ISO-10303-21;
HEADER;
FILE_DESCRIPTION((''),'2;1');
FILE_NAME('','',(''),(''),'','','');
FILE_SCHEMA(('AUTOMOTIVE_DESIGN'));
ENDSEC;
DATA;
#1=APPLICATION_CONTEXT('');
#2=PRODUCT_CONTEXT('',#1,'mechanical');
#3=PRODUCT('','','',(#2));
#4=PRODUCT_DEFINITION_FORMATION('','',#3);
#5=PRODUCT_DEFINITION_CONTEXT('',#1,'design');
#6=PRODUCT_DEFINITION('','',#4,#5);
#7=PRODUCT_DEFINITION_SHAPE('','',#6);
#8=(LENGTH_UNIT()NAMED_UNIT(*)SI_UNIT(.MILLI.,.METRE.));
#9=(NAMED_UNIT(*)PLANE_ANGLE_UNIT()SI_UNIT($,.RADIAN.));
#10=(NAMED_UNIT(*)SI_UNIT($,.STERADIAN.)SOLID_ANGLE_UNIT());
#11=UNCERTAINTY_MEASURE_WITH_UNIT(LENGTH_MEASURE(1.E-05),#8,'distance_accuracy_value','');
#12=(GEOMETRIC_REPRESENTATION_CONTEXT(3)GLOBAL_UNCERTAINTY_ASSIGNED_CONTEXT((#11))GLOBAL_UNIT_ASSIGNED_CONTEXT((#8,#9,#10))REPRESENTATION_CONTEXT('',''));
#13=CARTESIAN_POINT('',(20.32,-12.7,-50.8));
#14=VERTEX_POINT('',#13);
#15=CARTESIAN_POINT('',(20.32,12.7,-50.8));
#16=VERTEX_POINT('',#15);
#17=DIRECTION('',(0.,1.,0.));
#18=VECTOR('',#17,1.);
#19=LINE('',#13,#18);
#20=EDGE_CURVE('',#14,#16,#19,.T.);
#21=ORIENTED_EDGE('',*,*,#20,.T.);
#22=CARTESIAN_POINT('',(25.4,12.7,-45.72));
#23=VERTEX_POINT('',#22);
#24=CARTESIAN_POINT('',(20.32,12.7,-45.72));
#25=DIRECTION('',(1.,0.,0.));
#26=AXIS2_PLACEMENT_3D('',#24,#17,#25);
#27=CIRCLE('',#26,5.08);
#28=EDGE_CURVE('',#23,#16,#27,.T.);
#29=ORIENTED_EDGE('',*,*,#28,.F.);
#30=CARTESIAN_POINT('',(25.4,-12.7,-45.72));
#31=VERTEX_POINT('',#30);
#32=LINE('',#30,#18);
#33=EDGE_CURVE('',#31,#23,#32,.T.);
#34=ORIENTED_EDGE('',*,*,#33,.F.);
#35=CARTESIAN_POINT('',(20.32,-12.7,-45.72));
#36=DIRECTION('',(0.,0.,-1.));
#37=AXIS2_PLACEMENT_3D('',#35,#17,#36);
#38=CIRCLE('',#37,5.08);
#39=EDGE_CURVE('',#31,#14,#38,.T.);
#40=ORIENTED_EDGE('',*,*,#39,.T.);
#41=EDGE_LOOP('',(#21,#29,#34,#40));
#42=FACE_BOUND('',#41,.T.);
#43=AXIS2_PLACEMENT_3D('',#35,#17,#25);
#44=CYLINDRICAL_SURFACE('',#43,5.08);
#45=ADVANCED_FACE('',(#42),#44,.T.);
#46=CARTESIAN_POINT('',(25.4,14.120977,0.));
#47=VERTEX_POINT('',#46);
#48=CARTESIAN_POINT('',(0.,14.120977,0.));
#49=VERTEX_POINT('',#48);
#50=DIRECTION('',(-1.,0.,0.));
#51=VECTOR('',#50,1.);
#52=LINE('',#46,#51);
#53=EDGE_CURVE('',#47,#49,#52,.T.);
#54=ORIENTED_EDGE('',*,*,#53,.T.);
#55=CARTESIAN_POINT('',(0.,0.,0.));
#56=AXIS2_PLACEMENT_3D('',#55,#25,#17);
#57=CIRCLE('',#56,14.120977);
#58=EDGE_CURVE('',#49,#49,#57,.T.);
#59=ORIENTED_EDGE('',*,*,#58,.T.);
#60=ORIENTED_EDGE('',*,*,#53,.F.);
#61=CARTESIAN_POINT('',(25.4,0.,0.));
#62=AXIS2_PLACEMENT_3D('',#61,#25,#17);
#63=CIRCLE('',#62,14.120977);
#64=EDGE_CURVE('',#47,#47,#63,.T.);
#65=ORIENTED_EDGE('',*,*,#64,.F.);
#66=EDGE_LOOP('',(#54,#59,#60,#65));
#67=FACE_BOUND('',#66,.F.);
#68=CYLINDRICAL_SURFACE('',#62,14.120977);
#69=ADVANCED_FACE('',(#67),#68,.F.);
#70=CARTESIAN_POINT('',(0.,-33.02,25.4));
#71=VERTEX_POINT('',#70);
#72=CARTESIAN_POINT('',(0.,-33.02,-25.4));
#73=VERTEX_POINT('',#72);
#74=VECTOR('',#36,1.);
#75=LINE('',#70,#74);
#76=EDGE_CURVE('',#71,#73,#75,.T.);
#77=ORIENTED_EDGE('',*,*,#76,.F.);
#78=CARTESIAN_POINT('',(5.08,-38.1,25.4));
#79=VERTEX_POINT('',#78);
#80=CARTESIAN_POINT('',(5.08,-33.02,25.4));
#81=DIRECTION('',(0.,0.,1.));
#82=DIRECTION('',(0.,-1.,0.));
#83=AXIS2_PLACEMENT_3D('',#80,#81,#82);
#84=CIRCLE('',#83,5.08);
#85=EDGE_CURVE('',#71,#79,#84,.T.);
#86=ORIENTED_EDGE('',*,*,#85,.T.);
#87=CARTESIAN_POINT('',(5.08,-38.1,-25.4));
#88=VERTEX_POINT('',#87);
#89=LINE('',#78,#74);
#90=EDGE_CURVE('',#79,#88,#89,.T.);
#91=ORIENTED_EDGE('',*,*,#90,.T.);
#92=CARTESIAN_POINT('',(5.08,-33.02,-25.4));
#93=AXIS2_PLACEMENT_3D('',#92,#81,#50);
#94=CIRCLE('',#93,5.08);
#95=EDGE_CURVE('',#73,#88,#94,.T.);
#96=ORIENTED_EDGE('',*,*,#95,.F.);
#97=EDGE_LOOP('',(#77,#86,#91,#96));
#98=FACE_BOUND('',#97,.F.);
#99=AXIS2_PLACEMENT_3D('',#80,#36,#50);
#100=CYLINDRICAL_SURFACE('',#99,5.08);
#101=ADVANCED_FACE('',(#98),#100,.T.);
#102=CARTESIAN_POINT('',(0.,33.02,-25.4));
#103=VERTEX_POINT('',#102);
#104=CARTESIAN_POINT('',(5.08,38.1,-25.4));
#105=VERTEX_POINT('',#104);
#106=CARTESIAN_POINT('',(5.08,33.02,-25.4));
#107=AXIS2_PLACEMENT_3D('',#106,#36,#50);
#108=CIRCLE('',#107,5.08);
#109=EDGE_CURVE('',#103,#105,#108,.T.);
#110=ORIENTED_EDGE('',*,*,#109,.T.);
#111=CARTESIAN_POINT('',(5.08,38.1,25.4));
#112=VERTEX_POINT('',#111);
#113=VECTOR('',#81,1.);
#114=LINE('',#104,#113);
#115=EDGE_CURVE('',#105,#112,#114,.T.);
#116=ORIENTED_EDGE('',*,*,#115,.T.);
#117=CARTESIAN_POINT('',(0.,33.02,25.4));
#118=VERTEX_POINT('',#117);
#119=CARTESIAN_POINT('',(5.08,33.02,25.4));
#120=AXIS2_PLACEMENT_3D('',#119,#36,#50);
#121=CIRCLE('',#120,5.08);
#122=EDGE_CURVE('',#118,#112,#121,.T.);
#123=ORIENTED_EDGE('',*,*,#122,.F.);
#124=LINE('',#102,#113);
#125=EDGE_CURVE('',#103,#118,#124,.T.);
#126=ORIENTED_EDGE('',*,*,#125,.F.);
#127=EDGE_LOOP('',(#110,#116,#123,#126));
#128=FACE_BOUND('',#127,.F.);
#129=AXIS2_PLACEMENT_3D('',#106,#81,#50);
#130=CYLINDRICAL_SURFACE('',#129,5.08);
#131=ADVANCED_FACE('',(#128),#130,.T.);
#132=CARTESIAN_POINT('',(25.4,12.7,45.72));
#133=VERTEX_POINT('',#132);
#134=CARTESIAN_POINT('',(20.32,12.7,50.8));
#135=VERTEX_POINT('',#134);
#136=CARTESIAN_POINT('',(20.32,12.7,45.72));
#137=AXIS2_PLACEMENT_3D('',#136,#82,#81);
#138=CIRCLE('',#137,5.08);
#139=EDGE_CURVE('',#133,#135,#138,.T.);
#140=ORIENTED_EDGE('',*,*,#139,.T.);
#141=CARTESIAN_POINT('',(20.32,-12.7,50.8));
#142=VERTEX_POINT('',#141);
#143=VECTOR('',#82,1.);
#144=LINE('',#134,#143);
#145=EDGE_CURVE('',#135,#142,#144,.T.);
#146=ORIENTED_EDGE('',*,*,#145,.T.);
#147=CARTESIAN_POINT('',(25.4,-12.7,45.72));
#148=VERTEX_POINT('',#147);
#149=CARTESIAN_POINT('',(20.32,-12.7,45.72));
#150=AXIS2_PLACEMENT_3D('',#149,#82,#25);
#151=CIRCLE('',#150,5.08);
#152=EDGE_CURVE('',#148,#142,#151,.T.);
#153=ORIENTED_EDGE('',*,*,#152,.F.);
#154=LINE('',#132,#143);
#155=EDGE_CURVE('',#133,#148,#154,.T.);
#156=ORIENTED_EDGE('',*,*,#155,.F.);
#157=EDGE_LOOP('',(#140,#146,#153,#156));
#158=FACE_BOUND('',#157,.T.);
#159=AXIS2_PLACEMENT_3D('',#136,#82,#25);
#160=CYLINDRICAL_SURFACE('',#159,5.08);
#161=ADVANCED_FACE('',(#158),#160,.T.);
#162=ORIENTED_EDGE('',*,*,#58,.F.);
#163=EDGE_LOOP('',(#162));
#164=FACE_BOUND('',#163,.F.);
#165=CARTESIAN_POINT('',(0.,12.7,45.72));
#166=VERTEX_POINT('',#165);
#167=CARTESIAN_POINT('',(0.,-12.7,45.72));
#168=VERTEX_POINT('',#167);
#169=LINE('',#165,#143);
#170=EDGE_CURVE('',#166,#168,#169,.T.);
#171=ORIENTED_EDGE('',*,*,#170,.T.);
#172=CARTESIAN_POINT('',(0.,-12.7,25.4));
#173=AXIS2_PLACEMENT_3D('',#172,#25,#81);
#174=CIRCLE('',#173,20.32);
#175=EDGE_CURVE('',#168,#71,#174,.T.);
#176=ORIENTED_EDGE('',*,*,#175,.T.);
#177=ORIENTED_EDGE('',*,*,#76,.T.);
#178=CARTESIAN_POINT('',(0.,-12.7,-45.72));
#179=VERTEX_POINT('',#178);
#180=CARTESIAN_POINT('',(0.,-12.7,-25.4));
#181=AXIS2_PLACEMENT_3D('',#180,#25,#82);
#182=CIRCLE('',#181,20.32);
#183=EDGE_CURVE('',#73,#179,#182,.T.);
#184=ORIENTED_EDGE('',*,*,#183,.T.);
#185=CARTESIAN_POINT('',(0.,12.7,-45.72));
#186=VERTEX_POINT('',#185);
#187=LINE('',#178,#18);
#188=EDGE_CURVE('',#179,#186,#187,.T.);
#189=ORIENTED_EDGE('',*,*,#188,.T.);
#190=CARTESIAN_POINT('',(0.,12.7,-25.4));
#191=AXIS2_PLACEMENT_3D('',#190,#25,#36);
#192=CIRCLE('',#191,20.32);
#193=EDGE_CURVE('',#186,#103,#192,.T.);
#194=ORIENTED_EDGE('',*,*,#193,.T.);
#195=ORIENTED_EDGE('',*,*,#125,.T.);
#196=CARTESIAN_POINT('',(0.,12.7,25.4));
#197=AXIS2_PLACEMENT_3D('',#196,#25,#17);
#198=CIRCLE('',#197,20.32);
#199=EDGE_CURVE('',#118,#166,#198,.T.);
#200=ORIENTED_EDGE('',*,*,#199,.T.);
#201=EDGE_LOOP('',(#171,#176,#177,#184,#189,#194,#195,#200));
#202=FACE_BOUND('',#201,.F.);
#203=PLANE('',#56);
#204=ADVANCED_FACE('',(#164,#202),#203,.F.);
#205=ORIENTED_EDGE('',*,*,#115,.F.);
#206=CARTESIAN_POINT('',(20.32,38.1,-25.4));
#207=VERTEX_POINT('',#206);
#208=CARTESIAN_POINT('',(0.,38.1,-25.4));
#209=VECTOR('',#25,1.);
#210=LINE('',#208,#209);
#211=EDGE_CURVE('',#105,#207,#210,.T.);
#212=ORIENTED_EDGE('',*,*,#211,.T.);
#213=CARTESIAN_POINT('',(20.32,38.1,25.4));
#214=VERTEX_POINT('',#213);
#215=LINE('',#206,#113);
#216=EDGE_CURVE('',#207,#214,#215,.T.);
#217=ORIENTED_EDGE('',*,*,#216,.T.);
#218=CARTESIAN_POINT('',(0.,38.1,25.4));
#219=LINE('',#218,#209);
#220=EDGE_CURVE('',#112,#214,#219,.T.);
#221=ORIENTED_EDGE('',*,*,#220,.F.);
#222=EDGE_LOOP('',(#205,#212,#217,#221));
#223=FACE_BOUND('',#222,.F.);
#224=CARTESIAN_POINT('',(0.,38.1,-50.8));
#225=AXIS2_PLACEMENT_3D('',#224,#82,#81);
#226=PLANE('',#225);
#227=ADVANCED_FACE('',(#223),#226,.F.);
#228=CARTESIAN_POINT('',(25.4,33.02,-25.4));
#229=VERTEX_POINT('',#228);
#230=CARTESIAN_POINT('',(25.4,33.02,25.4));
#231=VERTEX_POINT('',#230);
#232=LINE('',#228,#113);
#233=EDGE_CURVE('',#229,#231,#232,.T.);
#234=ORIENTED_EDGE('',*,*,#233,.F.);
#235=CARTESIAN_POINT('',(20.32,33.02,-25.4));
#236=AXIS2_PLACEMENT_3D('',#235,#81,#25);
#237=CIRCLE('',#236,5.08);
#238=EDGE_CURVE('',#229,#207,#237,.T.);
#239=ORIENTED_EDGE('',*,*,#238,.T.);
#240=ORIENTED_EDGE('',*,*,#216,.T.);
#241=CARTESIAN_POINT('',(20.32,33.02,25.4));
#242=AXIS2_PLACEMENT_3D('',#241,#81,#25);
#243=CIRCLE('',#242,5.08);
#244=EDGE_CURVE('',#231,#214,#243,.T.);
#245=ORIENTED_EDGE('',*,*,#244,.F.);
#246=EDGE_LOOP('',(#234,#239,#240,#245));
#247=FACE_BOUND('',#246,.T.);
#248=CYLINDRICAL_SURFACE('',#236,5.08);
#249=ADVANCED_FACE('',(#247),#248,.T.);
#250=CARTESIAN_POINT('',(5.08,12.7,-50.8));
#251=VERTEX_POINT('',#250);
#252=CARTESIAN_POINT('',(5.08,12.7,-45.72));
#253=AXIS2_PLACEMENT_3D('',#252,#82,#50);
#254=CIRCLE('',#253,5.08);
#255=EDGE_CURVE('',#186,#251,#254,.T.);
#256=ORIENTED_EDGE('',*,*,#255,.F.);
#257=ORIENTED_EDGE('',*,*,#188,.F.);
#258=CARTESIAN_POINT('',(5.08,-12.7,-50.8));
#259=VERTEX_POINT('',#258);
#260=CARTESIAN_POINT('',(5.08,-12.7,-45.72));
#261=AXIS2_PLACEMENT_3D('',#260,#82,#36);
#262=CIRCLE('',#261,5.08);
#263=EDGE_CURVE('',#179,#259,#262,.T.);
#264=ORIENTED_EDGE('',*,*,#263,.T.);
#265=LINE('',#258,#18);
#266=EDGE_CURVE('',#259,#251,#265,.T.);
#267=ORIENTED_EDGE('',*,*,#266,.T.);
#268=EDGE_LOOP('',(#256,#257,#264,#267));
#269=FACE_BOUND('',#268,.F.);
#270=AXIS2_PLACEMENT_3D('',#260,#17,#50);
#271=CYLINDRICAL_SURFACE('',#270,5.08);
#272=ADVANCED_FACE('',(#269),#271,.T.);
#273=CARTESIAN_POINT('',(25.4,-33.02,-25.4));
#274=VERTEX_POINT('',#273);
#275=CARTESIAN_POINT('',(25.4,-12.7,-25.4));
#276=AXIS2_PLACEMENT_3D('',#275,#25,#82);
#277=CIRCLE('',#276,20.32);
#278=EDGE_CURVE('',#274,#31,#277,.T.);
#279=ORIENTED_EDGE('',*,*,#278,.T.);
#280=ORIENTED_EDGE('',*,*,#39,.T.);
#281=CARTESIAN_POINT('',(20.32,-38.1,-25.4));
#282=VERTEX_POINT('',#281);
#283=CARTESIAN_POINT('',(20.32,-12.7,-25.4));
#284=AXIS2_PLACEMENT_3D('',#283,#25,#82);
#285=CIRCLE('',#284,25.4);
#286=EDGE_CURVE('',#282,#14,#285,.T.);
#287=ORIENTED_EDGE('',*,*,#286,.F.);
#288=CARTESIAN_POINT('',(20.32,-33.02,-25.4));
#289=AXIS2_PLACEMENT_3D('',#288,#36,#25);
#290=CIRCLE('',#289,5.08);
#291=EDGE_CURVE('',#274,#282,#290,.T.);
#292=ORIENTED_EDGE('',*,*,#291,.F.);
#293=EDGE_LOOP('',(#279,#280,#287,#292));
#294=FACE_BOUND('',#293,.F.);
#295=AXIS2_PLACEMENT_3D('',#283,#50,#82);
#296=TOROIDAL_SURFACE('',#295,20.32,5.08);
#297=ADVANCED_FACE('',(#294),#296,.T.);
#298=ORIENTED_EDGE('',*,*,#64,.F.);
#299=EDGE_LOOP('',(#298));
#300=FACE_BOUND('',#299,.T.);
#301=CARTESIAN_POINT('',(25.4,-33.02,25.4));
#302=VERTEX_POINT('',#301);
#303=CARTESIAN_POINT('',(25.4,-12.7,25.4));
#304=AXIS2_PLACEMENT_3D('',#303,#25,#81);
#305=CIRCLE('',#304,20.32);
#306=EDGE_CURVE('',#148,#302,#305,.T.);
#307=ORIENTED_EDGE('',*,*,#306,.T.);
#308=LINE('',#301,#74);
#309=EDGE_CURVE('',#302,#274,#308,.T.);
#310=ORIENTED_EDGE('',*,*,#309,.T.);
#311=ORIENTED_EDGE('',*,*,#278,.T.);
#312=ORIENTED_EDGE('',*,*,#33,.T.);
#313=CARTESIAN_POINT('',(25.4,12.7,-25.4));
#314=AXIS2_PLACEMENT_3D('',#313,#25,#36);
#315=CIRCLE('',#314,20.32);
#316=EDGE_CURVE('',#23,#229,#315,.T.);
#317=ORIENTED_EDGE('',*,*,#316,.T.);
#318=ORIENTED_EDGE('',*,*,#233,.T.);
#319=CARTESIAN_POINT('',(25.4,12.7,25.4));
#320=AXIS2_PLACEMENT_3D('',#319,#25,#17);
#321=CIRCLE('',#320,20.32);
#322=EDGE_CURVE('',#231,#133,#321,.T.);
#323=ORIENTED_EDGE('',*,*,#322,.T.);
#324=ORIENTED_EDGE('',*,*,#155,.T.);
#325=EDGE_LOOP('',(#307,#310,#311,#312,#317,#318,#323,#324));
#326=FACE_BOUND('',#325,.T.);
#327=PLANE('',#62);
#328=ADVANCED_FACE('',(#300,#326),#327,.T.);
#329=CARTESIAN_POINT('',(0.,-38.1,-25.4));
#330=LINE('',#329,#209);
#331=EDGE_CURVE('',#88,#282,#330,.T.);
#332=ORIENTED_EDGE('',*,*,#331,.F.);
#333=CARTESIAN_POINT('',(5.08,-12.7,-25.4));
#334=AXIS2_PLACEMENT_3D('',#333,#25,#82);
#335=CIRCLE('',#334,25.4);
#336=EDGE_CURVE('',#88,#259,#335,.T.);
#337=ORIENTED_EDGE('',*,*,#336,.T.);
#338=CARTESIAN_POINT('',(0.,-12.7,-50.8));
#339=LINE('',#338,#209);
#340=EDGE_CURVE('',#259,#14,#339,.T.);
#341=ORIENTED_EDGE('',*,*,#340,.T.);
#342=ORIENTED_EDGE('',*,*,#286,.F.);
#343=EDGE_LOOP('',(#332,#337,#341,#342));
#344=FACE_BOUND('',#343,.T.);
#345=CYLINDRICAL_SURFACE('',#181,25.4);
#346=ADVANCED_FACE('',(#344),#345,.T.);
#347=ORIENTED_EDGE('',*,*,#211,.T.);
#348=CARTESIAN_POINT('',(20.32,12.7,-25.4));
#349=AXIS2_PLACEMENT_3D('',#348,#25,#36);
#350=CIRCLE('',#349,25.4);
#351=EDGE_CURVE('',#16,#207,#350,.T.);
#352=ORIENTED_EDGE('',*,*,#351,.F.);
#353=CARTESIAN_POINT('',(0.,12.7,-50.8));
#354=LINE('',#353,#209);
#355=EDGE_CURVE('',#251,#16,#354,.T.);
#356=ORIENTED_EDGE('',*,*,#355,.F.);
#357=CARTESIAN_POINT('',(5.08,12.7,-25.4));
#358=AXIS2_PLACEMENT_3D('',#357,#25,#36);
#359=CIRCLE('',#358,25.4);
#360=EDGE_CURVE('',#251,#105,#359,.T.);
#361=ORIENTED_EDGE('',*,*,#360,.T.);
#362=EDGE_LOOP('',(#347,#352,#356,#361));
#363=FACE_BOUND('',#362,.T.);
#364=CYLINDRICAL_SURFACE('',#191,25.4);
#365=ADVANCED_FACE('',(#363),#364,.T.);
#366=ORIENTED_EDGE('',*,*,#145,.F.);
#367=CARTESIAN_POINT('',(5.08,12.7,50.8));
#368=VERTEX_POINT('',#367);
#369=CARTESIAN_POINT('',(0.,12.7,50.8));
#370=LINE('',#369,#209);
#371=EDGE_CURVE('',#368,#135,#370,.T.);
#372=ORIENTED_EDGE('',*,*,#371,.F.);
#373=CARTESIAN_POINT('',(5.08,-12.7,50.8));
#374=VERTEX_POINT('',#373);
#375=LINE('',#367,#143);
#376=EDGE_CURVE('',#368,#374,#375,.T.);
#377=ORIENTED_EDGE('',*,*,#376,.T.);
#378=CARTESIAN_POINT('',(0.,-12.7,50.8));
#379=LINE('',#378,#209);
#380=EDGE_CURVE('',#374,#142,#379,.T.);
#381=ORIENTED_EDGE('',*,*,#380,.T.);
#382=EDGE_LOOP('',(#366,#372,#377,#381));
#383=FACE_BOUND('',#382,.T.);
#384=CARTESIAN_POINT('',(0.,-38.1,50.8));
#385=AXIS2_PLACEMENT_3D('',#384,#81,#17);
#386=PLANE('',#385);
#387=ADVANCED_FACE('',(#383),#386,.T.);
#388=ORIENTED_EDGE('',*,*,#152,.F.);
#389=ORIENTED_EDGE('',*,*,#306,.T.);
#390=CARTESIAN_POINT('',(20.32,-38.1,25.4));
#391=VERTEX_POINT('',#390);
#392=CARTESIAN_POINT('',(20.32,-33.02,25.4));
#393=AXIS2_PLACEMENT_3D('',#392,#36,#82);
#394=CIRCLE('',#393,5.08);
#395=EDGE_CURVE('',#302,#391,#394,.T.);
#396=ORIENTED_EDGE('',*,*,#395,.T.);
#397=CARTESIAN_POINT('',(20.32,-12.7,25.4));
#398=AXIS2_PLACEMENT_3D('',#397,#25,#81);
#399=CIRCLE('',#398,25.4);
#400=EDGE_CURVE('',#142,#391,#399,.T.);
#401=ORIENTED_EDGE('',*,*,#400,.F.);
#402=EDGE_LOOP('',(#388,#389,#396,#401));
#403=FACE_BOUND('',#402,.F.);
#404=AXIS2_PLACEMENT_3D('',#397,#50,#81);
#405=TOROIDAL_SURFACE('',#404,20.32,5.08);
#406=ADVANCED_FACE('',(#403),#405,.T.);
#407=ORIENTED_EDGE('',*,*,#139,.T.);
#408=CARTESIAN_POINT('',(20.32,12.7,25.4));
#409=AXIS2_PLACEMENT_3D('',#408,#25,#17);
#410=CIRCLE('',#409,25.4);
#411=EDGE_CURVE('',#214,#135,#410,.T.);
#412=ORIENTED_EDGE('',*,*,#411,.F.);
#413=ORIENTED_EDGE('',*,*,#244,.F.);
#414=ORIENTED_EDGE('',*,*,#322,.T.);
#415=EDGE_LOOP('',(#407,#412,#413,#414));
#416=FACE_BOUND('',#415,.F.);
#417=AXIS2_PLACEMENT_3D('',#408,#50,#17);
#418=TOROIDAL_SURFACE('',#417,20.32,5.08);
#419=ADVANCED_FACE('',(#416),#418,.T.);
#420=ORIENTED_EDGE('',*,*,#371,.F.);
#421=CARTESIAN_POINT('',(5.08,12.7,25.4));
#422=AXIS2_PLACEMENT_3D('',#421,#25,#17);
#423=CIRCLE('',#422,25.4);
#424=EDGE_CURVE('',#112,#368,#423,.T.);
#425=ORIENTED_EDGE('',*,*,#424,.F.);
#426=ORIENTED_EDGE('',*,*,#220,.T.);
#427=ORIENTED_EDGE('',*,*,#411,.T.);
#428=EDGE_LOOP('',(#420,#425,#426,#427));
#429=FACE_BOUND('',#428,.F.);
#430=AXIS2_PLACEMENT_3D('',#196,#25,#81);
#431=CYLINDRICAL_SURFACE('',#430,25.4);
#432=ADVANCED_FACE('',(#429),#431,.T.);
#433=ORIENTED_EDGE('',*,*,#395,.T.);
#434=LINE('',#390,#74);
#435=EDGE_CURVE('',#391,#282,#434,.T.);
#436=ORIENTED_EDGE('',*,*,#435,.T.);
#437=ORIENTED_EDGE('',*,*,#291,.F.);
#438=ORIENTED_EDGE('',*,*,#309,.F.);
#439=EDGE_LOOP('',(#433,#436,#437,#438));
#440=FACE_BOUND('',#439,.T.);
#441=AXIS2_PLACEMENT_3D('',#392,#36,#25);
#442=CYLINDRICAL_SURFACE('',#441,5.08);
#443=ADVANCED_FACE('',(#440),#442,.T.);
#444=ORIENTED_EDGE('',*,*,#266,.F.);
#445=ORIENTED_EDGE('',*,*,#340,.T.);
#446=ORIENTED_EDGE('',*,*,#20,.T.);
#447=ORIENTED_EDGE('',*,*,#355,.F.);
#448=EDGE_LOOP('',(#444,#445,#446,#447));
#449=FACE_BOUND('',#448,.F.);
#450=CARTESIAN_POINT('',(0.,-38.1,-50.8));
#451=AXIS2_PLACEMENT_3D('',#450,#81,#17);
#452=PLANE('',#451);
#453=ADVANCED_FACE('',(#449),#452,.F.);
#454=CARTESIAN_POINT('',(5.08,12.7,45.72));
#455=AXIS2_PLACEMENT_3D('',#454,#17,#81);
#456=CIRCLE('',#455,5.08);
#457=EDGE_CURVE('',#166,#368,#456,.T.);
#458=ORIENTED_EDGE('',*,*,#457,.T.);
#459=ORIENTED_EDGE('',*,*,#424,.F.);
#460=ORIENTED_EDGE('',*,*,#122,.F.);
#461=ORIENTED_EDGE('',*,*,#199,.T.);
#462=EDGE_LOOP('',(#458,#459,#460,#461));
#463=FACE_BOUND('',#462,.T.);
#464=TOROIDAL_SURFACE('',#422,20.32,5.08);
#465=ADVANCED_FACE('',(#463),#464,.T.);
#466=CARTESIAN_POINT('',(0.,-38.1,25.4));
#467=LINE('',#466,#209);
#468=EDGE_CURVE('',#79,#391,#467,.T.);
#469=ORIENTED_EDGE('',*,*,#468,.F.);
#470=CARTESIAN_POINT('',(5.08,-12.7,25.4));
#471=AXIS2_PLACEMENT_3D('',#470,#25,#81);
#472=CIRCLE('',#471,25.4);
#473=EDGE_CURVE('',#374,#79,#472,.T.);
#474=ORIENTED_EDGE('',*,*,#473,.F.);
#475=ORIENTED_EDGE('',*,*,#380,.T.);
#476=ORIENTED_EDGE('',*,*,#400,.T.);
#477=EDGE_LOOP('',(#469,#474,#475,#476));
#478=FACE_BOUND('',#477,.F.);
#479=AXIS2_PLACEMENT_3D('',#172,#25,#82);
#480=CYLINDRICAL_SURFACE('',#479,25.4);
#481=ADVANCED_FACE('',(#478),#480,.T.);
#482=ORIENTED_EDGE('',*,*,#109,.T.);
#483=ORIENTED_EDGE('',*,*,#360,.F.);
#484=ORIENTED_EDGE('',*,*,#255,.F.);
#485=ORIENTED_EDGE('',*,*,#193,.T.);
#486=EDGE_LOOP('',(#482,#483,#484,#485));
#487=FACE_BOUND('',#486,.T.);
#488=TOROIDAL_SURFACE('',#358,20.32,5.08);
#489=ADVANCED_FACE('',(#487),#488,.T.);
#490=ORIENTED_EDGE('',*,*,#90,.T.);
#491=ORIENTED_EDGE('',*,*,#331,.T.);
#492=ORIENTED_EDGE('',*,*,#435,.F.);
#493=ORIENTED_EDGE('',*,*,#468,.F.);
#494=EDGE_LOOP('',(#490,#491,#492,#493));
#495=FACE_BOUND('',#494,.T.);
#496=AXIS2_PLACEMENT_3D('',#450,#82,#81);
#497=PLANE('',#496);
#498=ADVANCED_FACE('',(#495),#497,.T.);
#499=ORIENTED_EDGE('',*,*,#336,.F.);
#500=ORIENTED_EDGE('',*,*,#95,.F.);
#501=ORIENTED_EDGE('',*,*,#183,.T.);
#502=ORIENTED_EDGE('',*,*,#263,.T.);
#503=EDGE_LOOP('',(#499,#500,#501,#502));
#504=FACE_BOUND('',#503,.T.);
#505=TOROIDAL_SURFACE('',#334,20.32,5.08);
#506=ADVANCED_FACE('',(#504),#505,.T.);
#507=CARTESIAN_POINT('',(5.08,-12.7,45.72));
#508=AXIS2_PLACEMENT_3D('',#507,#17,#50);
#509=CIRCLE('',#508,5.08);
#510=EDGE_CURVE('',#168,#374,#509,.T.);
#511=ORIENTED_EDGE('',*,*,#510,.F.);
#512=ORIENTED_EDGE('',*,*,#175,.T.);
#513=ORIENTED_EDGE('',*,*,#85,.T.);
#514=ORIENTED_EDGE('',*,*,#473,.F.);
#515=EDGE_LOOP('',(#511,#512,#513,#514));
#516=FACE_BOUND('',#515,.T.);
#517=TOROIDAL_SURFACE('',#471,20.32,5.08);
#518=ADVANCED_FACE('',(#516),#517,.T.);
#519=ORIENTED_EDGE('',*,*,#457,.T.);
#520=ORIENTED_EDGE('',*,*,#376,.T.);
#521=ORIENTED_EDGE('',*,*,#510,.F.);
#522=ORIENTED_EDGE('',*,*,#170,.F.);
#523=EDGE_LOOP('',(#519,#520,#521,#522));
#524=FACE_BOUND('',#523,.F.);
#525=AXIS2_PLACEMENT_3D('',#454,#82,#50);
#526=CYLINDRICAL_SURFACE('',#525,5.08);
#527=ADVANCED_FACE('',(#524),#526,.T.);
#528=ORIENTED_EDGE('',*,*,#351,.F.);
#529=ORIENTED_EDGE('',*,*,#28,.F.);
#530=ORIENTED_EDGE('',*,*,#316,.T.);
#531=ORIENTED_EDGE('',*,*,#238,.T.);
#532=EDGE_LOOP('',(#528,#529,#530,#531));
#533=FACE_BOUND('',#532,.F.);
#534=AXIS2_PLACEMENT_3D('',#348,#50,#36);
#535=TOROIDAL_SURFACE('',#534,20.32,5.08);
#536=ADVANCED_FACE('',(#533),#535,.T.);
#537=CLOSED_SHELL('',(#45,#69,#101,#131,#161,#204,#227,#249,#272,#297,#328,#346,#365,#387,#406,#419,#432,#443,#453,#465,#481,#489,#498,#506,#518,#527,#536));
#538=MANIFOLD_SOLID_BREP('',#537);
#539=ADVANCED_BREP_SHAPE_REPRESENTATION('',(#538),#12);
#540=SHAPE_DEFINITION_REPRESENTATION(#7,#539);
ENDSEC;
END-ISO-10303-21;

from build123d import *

# Parameters (mm, degrees)
F0_W     = 76.2
F0_H     = 101.6
F1_DEPTH = 25.4
F2_R     = 14.120977
F3_DEPTH = 25.4
F4_R     = 25.4
F5_R     = 5.08


with BuildPart() as f1:
    # F0 (on Right) → F1 (new body)
    with BuildSketch(Plane.YZ):
        Rectangle(F0_W, F0_H)
    extrude(amount=F1_DEPTH)

    # F2 (on face) → F3 (cut)
    with BuildSketch(Plane.YZ.offset(25.4)):
        Circle(F2_R)
    extrude(amount=-F3_DEPTH, mode=Mode.SUBTRACT)

    # F4
    f4_edges = [f1.edges().sort_by_distance(p)[0] for p in [
        (12.7, -38.1, 50.8),
        (12.7, -38.1, -50.8),
        (12.7, 38.1, 50.8),
        (12.7, 38.1, -50.8),
    ]]
    fillet(f4_edges, radius=F4_R)

    # F5
    f5_edges = [f1.edges().sort_by_distance(p)[0] for p in [
        (25.4, 38.1, 0),
        (0, 38.1, 0),
    ]]
    fillet(f5_edges, radius=F5_R)


solid = f1.part
